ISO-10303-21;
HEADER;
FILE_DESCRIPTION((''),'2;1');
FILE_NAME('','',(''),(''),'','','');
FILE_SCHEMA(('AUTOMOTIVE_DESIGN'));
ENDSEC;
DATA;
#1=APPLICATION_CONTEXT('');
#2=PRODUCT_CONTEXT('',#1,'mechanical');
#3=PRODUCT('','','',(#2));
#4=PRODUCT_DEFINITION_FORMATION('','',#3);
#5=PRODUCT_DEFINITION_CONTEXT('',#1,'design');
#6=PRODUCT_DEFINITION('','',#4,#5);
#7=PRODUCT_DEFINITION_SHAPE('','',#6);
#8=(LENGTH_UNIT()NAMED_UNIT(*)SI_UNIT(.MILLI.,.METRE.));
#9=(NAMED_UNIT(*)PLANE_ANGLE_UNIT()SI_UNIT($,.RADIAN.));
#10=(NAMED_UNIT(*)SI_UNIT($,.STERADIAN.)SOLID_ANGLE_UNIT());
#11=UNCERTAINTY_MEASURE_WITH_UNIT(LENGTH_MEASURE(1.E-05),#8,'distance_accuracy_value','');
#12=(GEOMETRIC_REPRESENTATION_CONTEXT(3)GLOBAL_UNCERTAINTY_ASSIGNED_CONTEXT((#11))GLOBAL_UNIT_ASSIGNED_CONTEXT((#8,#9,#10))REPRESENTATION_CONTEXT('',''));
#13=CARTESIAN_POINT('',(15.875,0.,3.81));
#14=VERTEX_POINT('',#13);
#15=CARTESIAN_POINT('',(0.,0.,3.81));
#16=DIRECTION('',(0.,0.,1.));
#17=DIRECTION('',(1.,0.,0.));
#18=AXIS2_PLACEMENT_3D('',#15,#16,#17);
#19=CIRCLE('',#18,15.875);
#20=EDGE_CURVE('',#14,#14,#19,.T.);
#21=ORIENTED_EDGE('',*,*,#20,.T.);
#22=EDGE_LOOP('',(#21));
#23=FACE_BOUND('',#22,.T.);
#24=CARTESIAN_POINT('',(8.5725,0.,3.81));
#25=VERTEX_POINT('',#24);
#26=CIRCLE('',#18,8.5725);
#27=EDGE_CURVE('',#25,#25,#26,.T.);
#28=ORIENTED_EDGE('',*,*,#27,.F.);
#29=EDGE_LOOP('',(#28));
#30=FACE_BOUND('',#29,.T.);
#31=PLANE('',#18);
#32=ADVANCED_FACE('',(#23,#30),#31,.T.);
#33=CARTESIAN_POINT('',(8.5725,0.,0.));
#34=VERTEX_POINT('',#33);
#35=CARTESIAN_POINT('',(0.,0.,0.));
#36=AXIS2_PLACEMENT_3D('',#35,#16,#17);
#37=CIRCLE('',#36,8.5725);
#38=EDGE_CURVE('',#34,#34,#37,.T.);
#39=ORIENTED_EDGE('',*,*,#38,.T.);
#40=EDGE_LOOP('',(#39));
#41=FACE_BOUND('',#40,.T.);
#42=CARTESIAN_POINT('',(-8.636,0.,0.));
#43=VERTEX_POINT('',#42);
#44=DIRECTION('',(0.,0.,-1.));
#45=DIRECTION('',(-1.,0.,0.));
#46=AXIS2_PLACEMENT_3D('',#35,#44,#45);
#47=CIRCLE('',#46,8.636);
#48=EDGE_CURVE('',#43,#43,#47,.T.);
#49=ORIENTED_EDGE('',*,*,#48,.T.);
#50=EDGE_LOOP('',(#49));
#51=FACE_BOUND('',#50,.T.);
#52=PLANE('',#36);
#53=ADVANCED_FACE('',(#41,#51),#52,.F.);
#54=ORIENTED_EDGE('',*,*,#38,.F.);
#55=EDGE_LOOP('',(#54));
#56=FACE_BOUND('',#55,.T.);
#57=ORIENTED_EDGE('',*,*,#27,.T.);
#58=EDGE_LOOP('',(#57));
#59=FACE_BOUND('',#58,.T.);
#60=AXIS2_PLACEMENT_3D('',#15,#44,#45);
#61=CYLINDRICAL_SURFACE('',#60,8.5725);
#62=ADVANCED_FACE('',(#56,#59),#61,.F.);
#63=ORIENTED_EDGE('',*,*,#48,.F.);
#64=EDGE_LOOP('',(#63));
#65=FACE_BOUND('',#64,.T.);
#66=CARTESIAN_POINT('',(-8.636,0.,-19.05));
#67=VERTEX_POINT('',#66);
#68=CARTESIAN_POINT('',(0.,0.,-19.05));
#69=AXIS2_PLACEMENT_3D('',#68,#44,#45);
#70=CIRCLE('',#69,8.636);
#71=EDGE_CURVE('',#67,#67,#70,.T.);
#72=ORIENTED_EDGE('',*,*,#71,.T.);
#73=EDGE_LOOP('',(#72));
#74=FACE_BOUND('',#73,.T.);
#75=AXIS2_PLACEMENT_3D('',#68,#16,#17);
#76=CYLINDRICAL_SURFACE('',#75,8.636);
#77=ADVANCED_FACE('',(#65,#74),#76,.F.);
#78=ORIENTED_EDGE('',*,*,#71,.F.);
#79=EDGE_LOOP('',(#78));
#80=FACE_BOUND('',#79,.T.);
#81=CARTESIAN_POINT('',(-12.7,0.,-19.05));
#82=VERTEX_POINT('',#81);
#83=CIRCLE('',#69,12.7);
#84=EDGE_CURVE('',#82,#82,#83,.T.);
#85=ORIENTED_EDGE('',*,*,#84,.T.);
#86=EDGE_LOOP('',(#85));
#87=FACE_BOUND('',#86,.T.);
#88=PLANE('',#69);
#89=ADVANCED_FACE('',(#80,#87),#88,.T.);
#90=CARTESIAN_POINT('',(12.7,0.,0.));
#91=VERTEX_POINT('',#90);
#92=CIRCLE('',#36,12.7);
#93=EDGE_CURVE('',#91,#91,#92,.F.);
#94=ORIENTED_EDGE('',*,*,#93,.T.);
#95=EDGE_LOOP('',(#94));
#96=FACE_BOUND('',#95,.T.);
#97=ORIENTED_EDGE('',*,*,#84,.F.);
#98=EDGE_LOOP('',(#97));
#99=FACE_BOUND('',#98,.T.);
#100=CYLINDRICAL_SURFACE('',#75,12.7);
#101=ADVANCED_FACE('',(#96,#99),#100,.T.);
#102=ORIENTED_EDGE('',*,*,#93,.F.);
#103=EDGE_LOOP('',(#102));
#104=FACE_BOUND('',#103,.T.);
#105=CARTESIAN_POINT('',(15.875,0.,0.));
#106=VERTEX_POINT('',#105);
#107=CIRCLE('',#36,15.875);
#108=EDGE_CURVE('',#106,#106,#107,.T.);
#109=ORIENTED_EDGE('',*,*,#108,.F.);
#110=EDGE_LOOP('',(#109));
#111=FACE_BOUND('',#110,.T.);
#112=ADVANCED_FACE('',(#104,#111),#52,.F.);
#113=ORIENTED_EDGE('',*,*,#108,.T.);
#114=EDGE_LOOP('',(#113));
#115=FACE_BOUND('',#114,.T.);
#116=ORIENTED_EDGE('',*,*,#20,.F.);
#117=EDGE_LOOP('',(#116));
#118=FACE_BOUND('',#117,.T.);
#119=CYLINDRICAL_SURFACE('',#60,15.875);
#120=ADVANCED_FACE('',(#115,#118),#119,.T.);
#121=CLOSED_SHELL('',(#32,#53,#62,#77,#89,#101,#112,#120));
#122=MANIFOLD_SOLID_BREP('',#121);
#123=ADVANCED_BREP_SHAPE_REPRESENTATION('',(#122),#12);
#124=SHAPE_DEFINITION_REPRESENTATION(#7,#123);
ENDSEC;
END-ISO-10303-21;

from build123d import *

# Parameters (mm, degrees)
SKETCH1_R           = 15.875
SKETCH1_R_2         = 8.5725
BOSS_EXTRUDE1_DEPTH = 3.81
SKETCH2_R           = 12.7
SKETCH2_R_2         = 8.636
BOSS_EXTRUDE2_DEPTH = 19.05


with BuildPart() as part:
    # Sketch1 → Boss-Extrude1 (new body)
    with BuildSketch(Plane.XY):
        Circle(SKETCH1_R)
        Circle(SKETCH1_R_2, mode=Mode.SUBTRACT)
    extrude(amount=BOSS_EXTRUDE1_DEPTH)

    # Sketch2 → Boss-Extrude2 (add)
    with BuildSketch(Plane(origin=(0, 0, 0), x_dir=(-1, 0, 0), z_dir=(0, 0, -1))):
        Circle(SKETCH2_R)
        Circle(SKETCH2_R_2, mode=Mode.SUBTRACT)
    extrude(amount=BOSS_EXTRUDE2_DEPTH)


solid = part.part
